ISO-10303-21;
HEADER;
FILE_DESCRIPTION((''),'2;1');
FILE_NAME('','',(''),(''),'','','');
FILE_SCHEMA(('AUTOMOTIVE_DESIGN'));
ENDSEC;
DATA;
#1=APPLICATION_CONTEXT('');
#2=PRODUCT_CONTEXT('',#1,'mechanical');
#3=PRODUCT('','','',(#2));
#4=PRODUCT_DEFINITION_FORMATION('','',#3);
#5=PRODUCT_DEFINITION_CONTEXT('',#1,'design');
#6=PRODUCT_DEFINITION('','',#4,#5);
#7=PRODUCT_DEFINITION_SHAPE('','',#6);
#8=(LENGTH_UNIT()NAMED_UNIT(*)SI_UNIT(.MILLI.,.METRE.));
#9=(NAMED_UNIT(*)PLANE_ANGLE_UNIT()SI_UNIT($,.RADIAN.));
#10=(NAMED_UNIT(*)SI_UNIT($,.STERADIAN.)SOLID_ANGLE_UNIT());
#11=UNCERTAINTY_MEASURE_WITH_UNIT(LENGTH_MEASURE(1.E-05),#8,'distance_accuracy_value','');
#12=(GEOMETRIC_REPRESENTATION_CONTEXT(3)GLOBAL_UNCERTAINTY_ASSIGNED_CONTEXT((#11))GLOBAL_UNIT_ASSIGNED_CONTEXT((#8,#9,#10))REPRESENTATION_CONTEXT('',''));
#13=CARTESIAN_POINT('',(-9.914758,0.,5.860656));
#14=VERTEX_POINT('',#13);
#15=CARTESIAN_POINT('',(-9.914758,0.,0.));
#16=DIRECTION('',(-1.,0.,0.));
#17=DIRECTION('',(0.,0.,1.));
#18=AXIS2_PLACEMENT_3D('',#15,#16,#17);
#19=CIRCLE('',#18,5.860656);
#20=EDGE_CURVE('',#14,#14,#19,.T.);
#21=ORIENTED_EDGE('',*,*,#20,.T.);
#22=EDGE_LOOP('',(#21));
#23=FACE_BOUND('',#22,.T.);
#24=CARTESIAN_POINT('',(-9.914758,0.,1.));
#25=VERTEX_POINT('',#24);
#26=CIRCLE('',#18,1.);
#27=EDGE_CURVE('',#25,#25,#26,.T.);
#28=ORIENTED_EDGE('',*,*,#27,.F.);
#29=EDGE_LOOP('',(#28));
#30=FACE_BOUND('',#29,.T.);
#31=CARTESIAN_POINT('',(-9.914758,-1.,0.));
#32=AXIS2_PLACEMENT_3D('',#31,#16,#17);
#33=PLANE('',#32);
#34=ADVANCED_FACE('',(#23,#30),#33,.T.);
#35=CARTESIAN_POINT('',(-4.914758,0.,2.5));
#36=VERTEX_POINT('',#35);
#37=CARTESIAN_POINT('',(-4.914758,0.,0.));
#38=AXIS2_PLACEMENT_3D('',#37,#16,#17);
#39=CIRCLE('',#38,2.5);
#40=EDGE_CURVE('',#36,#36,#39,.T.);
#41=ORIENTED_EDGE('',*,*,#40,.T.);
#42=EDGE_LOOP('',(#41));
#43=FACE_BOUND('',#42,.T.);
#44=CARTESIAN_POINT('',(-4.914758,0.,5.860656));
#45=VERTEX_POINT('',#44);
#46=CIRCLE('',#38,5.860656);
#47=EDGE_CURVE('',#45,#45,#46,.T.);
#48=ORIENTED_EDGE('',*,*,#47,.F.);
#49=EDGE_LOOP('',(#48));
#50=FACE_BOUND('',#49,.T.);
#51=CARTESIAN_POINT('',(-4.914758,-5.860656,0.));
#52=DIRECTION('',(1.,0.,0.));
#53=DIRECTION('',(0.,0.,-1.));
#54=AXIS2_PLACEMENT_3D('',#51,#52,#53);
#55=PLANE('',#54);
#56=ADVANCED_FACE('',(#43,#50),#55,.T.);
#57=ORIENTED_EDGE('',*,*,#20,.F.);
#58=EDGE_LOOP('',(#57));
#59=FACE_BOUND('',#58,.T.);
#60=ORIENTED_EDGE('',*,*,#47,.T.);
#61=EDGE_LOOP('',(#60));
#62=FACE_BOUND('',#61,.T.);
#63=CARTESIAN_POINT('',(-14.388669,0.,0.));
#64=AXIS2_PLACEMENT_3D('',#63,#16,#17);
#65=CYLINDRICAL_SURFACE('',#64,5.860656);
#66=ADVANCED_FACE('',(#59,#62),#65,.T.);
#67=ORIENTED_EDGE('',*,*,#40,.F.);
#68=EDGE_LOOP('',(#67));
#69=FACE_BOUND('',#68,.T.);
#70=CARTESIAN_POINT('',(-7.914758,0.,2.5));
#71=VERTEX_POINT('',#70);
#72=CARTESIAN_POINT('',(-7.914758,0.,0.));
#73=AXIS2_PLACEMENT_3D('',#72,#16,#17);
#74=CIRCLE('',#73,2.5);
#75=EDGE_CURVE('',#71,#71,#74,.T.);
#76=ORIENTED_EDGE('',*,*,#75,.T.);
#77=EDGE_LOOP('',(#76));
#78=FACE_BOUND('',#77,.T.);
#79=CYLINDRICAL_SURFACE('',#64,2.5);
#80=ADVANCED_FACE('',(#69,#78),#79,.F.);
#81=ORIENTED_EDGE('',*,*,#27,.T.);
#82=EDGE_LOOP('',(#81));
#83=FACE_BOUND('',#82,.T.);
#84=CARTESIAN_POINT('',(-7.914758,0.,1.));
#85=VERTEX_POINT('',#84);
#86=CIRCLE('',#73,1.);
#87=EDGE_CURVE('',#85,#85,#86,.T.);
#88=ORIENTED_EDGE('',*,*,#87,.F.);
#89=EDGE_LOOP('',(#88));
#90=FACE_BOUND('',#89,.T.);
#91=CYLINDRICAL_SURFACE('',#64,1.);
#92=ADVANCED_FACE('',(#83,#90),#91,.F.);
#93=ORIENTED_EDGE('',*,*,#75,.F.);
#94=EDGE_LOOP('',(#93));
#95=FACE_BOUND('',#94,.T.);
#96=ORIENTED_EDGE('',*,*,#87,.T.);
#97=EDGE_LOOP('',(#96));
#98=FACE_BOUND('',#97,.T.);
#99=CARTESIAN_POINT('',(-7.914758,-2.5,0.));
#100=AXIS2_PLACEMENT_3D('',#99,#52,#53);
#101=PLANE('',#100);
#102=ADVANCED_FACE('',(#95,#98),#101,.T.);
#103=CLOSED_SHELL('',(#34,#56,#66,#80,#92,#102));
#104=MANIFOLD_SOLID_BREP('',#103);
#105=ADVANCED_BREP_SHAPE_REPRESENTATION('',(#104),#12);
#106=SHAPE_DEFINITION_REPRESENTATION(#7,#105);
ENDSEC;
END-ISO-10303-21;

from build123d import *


with BuildPart() as part:
    # Esboço2 → Revolução1 (revolve)
    with BuildSketch(Plane(origin=(0, 0, 0), x_dir=(0, 1, 0), z_dir=(0, 0, 1)), mode=Mode.PRIVATE) as revolu_o1_sk:
        Polygon((-5.860655738, 9.914757538), (-5.860655738, 4.914757538), (-2.5, 4.914757538), (-2.5, 7.914757538), (-1, 7.914757538), (-1, 9.914757538), align=None)
    revolve(revolu_o1_sk.sketch.rotate(Axis((-14.388669057, 0, 0), (1, 0, 0)), 270), axis=Axis((-14.388669057, 0, 0), (1, 0, 0)))


solid = part.part
